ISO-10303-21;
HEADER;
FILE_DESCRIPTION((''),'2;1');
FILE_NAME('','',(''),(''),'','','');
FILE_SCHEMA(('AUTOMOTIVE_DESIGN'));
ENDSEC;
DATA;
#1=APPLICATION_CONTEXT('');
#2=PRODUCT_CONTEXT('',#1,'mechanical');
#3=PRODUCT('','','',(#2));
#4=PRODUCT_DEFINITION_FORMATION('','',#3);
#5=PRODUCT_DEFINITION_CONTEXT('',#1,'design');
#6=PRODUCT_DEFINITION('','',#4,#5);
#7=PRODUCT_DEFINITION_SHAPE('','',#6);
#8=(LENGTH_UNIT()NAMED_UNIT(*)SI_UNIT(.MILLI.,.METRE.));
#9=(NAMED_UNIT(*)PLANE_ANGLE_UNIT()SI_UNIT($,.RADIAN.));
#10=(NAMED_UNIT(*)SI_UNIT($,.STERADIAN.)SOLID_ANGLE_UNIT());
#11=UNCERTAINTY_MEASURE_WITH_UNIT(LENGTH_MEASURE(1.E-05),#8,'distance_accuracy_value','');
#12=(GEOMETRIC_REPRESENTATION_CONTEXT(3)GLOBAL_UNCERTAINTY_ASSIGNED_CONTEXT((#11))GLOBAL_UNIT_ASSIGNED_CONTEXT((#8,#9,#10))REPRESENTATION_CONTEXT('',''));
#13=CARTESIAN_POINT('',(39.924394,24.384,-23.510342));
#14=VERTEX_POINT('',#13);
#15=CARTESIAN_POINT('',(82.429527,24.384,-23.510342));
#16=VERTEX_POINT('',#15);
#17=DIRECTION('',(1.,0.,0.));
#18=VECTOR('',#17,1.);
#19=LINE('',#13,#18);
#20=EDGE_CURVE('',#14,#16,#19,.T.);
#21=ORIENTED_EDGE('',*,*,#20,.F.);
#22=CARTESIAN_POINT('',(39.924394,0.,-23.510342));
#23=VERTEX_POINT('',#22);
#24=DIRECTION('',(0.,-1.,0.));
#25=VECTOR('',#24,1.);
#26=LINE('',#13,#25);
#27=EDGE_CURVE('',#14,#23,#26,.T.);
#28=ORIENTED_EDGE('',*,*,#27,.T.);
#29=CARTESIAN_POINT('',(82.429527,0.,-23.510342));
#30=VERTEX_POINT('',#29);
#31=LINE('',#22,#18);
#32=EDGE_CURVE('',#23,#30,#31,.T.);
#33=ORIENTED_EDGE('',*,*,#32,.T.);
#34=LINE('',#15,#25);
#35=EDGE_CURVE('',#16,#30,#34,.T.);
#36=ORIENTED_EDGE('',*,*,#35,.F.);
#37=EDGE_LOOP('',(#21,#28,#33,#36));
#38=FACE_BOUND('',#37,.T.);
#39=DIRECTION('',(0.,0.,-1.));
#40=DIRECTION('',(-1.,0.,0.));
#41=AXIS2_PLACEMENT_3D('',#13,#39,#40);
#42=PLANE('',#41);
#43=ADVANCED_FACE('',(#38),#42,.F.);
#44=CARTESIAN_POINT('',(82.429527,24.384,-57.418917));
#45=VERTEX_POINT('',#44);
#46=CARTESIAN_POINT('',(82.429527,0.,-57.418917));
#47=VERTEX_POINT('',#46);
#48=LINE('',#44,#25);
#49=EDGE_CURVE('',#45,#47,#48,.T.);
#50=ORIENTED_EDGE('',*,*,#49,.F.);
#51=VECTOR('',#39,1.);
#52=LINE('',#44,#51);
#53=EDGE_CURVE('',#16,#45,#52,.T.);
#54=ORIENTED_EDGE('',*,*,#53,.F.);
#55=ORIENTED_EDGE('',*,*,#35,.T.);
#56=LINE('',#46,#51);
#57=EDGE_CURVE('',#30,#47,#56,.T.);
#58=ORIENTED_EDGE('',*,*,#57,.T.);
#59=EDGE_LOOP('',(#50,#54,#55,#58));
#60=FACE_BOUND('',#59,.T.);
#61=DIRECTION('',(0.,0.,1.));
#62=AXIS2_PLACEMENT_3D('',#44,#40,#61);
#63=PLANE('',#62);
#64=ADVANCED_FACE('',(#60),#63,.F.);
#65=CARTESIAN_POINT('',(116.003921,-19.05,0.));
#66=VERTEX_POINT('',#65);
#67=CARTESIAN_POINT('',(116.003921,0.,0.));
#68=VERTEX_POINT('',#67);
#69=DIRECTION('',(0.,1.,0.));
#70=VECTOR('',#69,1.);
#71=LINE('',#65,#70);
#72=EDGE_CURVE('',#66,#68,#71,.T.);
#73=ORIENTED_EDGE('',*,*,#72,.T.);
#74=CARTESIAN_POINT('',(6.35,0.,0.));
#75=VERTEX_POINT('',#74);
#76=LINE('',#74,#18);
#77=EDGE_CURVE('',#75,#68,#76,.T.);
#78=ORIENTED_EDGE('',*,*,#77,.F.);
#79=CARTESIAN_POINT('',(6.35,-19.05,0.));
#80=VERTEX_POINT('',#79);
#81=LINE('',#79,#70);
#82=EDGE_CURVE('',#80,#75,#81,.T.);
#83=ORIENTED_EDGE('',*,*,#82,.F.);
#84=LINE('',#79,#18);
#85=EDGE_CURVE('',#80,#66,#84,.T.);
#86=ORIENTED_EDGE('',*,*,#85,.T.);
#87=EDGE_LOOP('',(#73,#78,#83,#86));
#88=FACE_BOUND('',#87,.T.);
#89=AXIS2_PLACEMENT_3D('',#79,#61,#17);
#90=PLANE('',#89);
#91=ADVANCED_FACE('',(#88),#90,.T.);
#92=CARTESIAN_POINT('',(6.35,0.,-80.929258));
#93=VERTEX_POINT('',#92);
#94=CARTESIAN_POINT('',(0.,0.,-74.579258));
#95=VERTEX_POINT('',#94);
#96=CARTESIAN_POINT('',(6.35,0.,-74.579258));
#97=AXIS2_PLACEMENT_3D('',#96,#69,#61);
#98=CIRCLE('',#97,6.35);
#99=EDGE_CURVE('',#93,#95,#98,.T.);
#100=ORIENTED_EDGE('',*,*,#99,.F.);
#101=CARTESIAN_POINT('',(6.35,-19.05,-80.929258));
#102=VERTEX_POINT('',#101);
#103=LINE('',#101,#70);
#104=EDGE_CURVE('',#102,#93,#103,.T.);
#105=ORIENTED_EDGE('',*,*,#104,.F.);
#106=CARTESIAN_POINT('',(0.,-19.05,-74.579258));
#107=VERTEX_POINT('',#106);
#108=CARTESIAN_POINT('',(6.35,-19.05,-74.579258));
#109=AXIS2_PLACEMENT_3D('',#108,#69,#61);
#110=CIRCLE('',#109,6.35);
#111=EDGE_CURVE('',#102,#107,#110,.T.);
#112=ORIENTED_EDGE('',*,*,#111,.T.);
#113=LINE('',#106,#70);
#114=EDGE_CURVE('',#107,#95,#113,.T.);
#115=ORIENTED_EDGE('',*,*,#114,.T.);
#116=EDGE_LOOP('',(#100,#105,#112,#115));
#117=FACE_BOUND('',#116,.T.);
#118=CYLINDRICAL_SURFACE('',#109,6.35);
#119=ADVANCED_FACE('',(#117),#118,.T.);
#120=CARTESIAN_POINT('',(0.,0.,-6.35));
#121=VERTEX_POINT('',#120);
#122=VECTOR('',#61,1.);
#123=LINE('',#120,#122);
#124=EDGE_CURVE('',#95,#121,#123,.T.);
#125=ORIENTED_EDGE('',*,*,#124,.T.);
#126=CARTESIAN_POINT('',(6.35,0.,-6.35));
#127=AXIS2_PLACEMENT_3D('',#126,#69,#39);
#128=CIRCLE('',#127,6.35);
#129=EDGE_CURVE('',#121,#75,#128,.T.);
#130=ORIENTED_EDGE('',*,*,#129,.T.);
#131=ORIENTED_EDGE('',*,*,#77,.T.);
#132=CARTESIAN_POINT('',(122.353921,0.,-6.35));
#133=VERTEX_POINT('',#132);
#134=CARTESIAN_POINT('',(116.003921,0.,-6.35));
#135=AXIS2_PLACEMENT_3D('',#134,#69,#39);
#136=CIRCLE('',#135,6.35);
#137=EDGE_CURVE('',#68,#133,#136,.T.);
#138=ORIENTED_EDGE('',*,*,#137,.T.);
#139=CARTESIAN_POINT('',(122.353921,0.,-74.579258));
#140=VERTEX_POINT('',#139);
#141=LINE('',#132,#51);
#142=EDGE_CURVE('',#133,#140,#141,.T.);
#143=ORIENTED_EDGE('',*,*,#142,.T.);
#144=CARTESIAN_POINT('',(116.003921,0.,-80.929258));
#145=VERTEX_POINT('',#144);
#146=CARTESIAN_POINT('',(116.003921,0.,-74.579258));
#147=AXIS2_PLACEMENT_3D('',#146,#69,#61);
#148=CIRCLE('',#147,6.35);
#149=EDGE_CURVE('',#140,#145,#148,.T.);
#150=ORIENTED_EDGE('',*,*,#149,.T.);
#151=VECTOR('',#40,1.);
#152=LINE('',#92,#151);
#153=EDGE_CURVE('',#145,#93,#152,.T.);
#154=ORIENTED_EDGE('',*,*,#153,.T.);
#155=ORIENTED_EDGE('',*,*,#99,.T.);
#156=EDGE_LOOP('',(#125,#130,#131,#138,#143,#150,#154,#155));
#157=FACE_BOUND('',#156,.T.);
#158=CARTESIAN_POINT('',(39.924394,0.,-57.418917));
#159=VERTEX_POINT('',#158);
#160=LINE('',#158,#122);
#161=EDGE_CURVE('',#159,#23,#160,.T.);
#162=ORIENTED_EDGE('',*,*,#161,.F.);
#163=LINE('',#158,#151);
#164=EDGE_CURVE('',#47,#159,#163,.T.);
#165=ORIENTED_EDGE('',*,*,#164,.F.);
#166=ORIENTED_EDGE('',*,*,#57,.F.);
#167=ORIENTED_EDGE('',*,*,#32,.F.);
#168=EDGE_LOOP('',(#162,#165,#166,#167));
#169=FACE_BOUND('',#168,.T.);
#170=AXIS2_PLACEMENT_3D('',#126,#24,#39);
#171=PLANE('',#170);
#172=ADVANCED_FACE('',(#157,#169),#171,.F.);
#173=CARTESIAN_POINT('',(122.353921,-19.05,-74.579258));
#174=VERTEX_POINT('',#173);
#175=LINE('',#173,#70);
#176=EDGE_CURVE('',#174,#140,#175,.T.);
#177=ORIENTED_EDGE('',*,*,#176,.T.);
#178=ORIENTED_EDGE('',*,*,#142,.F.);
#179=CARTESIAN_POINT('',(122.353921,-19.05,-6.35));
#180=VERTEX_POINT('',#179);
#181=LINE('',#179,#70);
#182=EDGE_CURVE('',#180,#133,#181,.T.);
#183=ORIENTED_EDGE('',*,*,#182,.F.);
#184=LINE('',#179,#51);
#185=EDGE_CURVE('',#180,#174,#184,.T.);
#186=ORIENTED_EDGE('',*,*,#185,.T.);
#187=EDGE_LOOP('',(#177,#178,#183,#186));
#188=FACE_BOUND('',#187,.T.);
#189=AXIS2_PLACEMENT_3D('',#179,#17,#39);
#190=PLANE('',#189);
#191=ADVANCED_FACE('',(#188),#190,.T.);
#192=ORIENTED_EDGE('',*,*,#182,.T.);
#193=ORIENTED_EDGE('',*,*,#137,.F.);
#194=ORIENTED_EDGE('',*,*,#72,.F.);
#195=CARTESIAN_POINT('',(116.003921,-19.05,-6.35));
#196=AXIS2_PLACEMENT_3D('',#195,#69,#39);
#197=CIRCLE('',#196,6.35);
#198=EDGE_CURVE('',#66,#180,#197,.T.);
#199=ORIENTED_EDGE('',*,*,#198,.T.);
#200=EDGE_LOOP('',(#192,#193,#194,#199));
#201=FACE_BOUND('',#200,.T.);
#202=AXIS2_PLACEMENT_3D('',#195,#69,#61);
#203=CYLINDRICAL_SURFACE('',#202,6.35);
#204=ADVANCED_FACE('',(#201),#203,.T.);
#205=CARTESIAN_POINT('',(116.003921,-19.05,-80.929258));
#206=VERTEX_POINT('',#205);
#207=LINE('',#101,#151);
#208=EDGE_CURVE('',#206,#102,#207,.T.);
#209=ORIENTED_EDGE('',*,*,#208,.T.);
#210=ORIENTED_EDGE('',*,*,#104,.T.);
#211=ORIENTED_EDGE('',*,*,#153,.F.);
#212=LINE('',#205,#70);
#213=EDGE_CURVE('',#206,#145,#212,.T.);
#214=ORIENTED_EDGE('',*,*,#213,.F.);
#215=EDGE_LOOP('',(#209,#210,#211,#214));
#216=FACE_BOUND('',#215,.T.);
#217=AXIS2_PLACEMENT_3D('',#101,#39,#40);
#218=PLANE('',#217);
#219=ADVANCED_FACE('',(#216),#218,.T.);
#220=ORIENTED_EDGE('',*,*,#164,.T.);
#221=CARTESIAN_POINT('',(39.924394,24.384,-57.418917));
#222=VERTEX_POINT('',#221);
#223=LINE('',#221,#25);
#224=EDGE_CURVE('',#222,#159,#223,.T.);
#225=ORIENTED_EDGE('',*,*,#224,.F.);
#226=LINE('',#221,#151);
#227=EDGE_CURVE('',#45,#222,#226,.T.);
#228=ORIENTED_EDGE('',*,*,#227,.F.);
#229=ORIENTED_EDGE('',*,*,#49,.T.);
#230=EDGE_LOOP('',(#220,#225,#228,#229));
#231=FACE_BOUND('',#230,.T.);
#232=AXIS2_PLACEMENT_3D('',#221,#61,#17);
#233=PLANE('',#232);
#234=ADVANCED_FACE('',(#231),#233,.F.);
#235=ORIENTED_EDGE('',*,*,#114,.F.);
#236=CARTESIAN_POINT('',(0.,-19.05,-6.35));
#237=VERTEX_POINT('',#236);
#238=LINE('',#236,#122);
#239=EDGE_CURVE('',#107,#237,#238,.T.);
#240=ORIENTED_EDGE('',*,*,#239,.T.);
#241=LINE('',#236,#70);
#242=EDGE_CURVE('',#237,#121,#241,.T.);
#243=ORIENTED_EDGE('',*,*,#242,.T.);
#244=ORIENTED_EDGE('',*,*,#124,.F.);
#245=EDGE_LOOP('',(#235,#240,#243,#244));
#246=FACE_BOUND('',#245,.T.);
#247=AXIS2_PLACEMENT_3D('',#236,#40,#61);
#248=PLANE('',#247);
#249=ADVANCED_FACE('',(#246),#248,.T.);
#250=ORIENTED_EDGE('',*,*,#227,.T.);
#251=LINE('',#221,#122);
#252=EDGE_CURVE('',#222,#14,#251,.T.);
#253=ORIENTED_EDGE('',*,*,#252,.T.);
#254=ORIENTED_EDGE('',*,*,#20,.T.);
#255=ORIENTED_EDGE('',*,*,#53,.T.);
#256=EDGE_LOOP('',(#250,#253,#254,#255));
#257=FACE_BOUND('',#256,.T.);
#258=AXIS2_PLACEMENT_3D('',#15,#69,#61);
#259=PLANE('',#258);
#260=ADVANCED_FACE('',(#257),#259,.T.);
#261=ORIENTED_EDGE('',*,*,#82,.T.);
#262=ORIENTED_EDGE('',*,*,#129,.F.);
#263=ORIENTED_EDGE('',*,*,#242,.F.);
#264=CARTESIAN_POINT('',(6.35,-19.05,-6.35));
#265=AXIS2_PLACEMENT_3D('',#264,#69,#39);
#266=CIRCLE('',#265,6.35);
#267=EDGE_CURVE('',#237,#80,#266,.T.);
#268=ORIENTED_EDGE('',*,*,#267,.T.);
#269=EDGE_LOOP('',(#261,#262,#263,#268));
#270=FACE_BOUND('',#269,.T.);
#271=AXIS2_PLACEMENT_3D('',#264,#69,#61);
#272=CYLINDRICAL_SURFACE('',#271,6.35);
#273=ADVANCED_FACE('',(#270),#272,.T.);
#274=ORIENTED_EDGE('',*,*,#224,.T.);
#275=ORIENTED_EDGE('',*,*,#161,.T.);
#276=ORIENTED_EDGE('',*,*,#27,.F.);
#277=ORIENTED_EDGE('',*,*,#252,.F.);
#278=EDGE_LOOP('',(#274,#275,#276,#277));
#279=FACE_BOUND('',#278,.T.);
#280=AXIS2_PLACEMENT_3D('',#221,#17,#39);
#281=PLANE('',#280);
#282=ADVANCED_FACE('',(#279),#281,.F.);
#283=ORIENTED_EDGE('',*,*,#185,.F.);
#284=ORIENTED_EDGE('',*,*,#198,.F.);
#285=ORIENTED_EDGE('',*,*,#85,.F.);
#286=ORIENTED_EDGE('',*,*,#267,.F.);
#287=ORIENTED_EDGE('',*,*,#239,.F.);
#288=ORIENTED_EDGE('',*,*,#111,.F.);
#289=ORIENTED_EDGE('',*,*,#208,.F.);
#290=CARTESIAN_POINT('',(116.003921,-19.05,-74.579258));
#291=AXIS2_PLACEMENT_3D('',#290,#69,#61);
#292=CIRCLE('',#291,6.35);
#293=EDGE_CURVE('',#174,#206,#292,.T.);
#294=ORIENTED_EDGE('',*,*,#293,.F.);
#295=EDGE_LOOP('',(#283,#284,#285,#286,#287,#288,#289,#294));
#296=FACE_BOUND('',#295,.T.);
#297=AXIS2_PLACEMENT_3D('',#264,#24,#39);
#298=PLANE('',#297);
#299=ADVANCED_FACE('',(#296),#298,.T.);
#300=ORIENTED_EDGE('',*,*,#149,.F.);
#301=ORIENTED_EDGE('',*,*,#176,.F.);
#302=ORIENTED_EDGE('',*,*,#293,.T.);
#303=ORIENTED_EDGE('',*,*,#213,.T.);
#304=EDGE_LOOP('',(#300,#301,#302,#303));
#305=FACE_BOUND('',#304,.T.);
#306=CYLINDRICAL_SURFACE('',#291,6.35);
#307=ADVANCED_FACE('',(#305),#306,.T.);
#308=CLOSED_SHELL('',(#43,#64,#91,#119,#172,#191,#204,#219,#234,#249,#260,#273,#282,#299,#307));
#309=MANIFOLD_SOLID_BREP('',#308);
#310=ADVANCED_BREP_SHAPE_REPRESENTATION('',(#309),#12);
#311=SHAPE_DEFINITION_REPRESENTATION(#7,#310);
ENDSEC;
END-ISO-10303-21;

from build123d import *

# Parameters (mm, degrees)
EXTRUDE4_DEPTH = 19.05
SKETCH4_W      = 42.505133665
SKETCH4_H      = 33.908575234
EXTRUDE5_DEPTH = 24.384


with BuildPart() as part:
    # Sketch3 → Extrude4 (new body)
    with BuildSketch(Plane(origin=(0, 0, 0), x_dir=(1, 0, 0), z_dir=(0, 1, 0))):
        with BuildLine():
            Line((6.35, 0), (116.003921001, 0))
            ThreePointArc((116.003921001, 0), (120.494049062, 1.859871939), (122.353921001, 6.35))
            Line((122.353921001, 6.35), (122.353921001, 74.579258312))
            ThreePointArc((122.353921001, 74.579258312), (120.494049062, 79.069386372), (116.003921001, 80.929258312))
            Line((116.003921001, 80.929258312), (6.35, 80.929258312))
            ThreePointArc((6.35, 80.929258312), (1.859871939, 79.069386372), (0, 74.579258312))
            Line((0, 74.579258312), (0, 6.35))
            ThreePointArc((0, 6.35), (1.859871939, 1.859871939), (6.35, 0))
        make_face()
    extrude(amount=-EXTRUDE4_DEPTH)

    # Sketch4 → Extrude5 (add)
    with BuildSketch(Plane(origin=(0, 0, 0), x_dir=(1, 0, 0), z_dir=(0, 1, 0))):
        with Locations((61.176960501, 40.464629156)):
            Rectangle(SKETCH4_W, SKETCH4_H)
    extrude(amount=EXTRUDE5_DEPTH)


solid = part.part
